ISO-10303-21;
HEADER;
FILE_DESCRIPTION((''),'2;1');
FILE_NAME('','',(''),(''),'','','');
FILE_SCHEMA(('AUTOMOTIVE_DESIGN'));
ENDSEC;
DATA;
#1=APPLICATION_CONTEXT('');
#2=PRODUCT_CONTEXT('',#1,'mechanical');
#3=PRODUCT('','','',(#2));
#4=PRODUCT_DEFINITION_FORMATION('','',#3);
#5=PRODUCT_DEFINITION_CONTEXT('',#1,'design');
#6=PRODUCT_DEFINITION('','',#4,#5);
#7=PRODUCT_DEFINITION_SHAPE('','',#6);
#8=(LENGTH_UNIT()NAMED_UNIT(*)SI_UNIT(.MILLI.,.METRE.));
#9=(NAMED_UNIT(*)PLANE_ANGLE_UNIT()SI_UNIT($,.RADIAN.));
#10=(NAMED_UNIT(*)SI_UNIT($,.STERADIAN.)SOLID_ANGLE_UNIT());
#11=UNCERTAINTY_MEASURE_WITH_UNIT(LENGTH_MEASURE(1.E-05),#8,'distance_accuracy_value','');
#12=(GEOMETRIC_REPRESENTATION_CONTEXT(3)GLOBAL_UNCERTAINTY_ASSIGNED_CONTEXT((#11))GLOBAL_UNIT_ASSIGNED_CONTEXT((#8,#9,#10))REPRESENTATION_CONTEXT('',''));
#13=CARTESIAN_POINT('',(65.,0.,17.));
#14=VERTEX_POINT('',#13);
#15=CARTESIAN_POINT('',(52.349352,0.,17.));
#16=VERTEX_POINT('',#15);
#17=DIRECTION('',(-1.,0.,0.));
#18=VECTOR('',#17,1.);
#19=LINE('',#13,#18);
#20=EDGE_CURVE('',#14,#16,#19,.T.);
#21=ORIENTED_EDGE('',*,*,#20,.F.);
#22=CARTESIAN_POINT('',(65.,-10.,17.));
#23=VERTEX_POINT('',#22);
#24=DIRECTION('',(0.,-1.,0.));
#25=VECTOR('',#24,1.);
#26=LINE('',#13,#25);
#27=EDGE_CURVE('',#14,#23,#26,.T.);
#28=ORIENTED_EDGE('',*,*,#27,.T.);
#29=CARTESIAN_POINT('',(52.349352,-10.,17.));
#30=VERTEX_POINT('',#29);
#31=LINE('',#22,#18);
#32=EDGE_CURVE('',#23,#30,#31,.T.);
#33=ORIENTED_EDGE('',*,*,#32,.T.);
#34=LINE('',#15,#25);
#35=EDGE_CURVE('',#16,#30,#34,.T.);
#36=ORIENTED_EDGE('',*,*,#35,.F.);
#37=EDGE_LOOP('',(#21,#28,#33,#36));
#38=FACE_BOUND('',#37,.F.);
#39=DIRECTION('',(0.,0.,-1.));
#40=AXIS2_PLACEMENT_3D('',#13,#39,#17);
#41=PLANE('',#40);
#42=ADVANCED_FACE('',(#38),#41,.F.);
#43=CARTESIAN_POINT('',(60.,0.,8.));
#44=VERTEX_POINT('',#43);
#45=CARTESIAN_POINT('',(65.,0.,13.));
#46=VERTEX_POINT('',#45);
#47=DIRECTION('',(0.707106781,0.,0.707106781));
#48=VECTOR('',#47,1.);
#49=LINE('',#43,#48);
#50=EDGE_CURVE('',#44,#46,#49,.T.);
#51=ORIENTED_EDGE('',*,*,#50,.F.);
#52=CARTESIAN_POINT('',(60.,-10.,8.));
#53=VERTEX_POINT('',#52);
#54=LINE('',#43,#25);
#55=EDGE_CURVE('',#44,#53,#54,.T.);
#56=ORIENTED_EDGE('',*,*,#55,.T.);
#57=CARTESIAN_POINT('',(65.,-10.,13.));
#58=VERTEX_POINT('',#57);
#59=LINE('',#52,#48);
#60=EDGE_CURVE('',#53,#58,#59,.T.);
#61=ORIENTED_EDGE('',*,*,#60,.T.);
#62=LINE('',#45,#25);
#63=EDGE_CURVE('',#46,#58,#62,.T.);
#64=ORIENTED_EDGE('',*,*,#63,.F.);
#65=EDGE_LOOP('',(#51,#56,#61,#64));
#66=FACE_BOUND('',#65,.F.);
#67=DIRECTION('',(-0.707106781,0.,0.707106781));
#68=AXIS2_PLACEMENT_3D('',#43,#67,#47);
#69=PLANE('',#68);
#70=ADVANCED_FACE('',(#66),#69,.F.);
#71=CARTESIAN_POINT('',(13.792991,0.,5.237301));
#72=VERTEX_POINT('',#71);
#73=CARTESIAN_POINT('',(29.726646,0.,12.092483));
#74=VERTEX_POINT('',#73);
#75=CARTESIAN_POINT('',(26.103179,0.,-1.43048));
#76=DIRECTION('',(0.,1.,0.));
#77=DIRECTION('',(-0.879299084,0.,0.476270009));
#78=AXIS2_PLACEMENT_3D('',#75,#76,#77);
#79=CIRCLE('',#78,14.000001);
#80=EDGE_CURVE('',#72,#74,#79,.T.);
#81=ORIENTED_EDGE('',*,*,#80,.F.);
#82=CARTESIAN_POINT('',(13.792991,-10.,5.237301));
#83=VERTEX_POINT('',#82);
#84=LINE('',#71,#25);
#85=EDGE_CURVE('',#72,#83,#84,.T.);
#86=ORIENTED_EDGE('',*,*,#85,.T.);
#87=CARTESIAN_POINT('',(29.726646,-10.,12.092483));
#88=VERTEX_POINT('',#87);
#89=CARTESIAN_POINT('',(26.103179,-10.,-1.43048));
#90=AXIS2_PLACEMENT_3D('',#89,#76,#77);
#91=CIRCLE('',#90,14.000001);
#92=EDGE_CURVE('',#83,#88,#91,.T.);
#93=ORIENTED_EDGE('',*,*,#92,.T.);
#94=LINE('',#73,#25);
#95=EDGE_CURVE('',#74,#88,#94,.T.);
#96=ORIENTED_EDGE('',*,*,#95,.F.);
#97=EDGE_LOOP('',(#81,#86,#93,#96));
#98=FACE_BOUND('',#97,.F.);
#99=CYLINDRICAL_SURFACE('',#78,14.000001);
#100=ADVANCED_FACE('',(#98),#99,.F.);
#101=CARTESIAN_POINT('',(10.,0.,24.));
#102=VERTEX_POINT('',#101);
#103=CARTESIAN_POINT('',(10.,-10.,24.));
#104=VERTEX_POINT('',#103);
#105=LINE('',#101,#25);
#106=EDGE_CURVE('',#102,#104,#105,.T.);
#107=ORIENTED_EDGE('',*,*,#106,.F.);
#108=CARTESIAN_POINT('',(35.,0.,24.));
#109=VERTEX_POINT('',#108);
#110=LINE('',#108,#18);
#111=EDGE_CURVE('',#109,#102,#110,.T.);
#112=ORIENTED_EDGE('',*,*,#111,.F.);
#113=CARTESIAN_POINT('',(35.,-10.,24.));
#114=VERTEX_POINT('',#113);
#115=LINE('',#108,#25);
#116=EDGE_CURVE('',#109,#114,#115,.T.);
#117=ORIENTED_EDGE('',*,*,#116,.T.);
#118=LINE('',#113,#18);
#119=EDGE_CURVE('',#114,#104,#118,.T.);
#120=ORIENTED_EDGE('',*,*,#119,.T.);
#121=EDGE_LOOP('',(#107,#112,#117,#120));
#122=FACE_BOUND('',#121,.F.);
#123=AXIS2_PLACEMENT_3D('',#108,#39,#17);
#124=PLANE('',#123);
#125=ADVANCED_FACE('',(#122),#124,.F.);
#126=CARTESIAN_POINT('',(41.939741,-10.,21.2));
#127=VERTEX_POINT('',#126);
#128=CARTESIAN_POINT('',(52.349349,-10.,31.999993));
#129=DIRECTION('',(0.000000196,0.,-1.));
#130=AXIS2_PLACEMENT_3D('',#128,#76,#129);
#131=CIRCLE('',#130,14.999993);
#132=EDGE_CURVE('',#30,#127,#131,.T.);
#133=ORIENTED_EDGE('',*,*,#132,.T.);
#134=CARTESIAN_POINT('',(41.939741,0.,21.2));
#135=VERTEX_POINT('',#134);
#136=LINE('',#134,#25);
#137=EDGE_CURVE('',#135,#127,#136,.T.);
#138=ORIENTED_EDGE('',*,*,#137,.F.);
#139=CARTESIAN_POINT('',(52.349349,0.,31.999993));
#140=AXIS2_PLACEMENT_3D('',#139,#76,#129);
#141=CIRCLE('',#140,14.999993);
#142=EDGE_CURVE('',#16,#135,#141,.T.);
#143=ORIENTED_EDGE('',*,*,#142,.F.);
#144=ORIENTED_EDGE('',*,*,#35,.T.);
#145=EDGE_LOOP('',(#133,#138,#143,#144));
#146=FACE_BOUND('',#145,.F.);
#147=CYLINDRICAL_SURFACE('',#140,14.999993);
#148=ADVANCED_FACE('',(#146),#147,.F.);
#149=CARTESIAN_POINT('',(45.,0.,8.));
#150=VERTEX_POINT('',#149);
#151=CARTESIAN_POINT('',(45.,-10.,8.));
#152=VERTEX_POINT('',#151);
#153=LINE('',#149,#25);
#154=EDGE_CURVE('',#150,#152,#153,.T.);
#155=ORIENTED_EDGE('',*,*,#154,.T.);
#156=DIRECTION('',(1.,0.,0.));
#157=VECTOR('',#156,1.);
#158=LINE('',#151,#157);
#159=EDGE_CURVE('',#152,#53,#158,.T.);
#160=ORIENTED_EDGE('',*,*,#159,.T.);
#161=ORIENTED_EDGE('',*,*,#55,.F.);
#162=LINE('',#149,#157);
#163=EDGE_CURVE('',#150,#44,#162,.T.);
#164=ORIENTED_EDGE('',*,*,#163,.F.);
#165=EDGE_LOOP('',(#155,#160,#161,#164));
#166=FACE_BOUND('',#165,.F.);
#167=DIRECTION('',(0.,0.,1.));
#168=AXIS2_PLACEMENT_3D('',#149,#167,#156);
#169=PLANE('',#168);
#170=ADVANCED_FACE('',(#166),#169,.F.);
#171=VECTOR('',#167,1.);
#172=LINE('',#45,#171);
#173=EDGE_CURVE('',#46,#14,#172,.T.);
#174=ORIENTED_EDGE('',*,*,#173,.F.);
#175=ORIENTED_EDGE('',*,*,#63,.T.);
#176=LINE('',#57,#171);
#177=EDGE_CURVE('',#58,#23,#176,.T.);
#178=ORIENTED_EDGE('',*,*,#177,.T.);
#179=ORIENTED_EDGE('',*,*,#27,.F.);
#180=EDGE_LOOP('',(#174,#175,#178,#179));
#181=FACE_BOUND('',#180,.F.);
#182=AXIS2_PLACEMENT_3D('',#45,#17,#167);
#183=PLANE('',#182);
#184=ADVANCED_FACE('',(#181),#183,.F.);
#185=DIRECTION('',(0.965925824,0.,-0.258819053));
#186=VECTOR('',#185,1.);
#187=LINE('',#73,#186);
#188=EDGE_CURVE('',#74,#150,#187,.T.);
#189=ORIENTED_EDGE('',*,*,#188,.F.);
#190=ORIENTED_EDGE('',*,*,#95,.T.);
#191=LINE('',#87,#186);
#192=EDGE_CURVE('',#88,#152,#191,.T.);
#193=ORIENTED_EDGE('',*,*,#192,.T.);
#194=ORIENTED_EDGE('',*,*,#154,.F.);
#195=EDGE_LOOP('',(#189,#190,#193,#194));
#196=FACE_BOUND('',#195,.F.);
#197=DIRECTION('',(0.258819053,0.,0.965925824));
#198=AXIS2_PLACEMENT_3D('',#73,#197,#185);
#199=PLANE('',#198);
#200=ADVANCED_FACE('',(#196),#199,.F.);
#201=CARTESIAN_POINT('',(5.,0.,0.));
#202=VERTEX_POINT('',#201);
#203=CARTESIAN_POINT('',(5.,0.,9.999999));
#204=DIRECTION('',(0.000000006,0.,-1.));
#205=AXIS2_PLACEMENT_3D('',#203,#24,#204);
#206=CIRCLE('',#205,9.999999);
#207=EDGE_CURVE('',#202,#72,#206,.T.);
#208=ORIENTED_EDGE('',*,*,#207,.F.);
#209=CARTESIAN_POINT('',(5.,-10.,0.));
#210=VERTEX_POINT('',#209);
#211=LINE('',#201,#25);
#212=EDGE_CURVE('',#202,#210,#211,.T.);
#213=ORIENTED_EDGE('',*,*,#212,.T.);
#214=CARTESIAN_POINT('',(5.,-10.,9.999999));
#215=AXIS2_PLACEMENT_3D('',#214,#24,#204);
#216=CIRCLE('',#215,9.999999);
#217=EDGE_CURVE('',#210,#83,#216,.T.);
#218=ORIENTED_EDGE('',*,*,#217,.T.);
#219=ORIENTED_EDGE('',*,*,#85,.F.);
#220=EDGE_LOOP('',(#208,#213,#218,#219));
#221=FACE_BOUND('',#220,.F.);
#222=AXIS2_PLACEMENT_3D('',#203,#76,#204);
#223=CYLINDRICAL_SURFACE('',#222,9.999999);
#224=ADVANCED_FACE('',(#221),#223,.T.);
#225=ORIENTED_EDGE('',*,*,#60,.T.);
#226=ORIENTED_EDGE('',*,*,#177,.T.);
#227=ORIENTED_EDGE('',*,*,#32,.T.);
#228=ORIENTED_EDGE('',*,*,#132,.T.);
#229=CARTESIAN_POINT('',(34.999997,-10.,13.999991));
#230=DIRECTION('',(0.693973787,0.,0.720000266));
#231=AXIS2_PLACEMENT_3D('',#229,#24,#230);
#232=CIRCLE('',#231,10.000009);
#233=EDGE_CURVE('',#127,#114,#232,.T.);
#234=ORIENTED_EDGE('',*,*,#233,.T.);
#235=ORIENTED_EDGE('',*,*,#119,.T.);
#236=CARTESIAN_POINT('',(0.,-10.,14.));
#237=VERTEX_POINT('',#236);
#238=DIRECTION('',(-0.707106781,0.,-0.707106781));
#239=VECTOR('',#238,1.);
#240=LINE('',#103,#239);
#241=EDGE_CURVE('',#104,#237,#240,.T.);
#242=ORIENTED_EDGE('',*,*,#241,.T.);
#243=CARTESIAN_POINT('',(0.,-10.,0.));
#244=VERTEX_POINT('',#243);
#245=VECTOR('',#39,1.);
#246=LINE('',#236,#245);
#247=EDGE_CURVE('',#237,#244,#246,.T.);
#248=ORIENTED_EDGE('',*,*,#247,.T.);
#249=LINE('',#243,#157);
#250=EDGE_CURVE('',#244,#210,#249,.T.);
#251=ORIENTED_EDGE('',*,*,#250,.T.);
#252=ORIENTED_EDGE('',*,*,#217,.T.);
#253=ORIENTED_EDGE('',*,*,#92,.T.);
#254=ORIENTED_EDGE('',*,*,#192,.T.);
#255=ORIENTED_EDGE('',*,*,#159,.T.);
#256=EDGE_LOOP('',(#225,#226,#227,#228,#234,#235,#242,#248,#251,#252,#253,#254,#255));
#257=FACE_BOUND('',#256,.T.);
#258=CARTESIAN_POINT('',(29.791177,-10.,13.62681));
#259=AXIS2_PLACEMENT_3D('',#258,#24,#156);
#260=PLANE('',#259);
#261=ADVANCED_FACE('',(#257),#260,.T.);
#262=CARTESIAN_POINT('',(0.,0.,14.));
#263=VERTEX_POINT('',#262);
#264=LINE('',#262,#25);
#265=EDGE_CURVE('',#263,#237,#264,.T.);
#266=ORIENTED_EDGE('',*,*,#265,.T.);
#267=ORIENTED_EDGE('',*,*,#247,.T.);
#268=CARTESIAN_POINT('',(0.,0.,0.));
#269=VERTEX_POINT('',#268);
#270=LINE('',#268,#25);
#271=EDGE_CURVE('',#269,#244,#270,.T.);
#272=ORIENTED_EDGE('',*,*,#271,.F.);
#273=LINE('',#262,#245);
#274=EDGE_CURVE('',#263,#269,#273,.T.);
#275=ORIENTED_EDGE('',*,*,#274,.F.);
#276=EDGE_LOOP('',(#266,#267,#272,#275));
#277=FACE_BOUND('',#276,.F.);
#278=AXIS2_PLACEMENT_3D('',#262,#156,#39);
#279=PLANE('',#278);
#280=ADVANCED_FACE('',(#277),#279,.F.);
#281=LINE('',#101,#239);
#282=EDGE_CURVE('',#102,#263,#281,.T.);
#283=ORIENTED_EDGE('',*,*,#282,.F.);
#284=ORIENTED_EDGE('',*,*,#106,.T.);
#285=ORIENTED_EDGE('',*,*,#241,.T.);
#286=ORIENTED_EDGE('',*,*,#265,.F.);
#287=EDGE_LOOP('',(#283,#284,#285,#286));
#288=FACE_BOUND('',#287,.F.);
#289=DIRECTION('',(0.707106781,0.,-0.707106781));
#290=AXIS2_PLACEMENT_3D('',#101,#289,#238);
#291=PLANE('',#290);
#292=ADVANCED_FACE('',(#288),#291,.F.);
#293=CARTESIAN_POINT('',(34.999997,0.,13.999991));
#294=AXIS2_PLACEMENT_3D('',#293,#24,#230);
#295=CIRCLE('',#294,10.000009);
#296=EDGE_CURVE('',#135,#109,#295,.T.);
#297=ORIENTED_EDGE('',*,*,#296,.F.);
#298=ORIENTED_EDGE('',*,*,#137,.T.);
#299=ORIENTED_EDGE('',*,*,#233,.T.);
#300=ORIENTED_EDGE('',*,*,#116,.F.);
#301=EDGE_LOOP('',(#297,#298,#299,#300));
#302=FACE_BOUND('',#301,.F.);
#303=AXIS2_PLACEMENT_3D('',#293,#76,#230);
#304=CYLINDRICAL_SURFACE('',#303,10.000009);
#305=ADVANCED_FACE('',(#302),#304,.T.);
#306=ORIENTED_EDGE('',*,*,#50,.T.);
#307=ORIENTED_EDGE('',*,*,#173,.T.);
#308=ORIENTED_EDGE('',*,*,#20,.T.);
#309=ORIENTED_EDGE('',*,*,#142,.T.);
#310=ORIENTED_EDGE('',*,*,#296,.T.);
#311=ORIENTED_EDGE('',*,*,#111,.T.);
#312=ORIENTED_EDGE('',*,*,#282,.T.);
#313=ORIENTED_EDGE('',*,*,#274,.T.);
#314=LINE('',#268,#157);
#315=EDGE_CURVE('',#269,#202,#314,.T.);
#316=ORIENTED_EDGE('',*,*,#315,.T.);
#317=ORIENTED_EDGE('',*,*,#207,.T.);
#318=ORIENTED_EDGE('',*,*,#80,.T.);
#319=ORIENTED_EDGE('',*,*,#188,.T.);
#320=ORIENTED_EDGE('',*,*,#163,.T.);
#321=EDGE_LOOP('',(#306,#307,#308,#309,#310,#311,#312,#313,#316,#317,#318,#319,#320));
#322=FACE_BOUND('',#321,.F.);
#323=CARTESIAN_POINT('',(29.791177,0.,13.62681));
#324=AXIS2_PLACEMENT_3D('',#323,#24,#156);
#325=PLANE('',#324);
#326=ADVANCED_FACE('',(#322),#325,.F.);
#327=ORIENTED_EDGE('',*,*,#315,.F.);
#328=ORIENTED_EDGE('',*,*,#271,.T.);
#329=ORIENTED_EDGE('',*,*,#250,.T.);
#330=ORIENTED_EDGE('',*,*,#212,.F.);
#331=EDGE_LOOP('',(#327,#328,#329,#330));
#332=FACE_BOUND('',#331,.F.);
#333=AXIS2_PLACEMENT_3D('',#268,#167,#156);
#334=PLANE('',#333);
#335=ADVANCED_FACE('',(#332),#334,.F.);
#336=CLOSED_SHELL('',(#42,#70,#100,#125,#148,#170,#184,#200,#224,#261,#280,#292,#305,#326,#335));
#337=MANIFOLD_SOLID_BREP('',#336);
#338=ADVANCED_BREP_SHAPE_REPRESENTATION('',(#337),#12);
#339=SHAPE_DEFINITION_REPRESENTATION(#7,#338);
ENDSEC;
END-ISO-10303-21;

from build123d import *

# Parameters (mm, degrees)
F1_DEPTH = 10


with BuildPart() as f1:
    # F0 (on Front) → F1 (new body)
    with BuildSketch(Plane.XZ):
        with BuildLine():
            Line((0, 14), (0, 0))
            Line((0, 0), (5, 0))
            ThreePointArc((5, 0), (10.117275, 1.408522), (13.792991, 5.237301))
            ThreePointArc((13.792991, 5.237301), (20.570263, 11.429803), (29.726646, 12.092483))
            Line((29.726646, 12.092483), (45, 8))
            Line((45, 8), (60, 8))
            Line((60, 8), (65, 13))
            Line((65, 13), (65, 17))
            Line((65, 17), (52.349352, 17))
            ThreePointArc((52.349352, 17), (46.736865, 18.089572), (41.939741, 21.2))
            ThreePointArc((41.939741, 21.2), (38.741657, 23.273618), (35, 24))
            Line((35, 24), (10, 24))
            Line((10, 24), (0, 14))
        make_face()
    extrude(amount=F1_DEPTH)


solid = f1.part
